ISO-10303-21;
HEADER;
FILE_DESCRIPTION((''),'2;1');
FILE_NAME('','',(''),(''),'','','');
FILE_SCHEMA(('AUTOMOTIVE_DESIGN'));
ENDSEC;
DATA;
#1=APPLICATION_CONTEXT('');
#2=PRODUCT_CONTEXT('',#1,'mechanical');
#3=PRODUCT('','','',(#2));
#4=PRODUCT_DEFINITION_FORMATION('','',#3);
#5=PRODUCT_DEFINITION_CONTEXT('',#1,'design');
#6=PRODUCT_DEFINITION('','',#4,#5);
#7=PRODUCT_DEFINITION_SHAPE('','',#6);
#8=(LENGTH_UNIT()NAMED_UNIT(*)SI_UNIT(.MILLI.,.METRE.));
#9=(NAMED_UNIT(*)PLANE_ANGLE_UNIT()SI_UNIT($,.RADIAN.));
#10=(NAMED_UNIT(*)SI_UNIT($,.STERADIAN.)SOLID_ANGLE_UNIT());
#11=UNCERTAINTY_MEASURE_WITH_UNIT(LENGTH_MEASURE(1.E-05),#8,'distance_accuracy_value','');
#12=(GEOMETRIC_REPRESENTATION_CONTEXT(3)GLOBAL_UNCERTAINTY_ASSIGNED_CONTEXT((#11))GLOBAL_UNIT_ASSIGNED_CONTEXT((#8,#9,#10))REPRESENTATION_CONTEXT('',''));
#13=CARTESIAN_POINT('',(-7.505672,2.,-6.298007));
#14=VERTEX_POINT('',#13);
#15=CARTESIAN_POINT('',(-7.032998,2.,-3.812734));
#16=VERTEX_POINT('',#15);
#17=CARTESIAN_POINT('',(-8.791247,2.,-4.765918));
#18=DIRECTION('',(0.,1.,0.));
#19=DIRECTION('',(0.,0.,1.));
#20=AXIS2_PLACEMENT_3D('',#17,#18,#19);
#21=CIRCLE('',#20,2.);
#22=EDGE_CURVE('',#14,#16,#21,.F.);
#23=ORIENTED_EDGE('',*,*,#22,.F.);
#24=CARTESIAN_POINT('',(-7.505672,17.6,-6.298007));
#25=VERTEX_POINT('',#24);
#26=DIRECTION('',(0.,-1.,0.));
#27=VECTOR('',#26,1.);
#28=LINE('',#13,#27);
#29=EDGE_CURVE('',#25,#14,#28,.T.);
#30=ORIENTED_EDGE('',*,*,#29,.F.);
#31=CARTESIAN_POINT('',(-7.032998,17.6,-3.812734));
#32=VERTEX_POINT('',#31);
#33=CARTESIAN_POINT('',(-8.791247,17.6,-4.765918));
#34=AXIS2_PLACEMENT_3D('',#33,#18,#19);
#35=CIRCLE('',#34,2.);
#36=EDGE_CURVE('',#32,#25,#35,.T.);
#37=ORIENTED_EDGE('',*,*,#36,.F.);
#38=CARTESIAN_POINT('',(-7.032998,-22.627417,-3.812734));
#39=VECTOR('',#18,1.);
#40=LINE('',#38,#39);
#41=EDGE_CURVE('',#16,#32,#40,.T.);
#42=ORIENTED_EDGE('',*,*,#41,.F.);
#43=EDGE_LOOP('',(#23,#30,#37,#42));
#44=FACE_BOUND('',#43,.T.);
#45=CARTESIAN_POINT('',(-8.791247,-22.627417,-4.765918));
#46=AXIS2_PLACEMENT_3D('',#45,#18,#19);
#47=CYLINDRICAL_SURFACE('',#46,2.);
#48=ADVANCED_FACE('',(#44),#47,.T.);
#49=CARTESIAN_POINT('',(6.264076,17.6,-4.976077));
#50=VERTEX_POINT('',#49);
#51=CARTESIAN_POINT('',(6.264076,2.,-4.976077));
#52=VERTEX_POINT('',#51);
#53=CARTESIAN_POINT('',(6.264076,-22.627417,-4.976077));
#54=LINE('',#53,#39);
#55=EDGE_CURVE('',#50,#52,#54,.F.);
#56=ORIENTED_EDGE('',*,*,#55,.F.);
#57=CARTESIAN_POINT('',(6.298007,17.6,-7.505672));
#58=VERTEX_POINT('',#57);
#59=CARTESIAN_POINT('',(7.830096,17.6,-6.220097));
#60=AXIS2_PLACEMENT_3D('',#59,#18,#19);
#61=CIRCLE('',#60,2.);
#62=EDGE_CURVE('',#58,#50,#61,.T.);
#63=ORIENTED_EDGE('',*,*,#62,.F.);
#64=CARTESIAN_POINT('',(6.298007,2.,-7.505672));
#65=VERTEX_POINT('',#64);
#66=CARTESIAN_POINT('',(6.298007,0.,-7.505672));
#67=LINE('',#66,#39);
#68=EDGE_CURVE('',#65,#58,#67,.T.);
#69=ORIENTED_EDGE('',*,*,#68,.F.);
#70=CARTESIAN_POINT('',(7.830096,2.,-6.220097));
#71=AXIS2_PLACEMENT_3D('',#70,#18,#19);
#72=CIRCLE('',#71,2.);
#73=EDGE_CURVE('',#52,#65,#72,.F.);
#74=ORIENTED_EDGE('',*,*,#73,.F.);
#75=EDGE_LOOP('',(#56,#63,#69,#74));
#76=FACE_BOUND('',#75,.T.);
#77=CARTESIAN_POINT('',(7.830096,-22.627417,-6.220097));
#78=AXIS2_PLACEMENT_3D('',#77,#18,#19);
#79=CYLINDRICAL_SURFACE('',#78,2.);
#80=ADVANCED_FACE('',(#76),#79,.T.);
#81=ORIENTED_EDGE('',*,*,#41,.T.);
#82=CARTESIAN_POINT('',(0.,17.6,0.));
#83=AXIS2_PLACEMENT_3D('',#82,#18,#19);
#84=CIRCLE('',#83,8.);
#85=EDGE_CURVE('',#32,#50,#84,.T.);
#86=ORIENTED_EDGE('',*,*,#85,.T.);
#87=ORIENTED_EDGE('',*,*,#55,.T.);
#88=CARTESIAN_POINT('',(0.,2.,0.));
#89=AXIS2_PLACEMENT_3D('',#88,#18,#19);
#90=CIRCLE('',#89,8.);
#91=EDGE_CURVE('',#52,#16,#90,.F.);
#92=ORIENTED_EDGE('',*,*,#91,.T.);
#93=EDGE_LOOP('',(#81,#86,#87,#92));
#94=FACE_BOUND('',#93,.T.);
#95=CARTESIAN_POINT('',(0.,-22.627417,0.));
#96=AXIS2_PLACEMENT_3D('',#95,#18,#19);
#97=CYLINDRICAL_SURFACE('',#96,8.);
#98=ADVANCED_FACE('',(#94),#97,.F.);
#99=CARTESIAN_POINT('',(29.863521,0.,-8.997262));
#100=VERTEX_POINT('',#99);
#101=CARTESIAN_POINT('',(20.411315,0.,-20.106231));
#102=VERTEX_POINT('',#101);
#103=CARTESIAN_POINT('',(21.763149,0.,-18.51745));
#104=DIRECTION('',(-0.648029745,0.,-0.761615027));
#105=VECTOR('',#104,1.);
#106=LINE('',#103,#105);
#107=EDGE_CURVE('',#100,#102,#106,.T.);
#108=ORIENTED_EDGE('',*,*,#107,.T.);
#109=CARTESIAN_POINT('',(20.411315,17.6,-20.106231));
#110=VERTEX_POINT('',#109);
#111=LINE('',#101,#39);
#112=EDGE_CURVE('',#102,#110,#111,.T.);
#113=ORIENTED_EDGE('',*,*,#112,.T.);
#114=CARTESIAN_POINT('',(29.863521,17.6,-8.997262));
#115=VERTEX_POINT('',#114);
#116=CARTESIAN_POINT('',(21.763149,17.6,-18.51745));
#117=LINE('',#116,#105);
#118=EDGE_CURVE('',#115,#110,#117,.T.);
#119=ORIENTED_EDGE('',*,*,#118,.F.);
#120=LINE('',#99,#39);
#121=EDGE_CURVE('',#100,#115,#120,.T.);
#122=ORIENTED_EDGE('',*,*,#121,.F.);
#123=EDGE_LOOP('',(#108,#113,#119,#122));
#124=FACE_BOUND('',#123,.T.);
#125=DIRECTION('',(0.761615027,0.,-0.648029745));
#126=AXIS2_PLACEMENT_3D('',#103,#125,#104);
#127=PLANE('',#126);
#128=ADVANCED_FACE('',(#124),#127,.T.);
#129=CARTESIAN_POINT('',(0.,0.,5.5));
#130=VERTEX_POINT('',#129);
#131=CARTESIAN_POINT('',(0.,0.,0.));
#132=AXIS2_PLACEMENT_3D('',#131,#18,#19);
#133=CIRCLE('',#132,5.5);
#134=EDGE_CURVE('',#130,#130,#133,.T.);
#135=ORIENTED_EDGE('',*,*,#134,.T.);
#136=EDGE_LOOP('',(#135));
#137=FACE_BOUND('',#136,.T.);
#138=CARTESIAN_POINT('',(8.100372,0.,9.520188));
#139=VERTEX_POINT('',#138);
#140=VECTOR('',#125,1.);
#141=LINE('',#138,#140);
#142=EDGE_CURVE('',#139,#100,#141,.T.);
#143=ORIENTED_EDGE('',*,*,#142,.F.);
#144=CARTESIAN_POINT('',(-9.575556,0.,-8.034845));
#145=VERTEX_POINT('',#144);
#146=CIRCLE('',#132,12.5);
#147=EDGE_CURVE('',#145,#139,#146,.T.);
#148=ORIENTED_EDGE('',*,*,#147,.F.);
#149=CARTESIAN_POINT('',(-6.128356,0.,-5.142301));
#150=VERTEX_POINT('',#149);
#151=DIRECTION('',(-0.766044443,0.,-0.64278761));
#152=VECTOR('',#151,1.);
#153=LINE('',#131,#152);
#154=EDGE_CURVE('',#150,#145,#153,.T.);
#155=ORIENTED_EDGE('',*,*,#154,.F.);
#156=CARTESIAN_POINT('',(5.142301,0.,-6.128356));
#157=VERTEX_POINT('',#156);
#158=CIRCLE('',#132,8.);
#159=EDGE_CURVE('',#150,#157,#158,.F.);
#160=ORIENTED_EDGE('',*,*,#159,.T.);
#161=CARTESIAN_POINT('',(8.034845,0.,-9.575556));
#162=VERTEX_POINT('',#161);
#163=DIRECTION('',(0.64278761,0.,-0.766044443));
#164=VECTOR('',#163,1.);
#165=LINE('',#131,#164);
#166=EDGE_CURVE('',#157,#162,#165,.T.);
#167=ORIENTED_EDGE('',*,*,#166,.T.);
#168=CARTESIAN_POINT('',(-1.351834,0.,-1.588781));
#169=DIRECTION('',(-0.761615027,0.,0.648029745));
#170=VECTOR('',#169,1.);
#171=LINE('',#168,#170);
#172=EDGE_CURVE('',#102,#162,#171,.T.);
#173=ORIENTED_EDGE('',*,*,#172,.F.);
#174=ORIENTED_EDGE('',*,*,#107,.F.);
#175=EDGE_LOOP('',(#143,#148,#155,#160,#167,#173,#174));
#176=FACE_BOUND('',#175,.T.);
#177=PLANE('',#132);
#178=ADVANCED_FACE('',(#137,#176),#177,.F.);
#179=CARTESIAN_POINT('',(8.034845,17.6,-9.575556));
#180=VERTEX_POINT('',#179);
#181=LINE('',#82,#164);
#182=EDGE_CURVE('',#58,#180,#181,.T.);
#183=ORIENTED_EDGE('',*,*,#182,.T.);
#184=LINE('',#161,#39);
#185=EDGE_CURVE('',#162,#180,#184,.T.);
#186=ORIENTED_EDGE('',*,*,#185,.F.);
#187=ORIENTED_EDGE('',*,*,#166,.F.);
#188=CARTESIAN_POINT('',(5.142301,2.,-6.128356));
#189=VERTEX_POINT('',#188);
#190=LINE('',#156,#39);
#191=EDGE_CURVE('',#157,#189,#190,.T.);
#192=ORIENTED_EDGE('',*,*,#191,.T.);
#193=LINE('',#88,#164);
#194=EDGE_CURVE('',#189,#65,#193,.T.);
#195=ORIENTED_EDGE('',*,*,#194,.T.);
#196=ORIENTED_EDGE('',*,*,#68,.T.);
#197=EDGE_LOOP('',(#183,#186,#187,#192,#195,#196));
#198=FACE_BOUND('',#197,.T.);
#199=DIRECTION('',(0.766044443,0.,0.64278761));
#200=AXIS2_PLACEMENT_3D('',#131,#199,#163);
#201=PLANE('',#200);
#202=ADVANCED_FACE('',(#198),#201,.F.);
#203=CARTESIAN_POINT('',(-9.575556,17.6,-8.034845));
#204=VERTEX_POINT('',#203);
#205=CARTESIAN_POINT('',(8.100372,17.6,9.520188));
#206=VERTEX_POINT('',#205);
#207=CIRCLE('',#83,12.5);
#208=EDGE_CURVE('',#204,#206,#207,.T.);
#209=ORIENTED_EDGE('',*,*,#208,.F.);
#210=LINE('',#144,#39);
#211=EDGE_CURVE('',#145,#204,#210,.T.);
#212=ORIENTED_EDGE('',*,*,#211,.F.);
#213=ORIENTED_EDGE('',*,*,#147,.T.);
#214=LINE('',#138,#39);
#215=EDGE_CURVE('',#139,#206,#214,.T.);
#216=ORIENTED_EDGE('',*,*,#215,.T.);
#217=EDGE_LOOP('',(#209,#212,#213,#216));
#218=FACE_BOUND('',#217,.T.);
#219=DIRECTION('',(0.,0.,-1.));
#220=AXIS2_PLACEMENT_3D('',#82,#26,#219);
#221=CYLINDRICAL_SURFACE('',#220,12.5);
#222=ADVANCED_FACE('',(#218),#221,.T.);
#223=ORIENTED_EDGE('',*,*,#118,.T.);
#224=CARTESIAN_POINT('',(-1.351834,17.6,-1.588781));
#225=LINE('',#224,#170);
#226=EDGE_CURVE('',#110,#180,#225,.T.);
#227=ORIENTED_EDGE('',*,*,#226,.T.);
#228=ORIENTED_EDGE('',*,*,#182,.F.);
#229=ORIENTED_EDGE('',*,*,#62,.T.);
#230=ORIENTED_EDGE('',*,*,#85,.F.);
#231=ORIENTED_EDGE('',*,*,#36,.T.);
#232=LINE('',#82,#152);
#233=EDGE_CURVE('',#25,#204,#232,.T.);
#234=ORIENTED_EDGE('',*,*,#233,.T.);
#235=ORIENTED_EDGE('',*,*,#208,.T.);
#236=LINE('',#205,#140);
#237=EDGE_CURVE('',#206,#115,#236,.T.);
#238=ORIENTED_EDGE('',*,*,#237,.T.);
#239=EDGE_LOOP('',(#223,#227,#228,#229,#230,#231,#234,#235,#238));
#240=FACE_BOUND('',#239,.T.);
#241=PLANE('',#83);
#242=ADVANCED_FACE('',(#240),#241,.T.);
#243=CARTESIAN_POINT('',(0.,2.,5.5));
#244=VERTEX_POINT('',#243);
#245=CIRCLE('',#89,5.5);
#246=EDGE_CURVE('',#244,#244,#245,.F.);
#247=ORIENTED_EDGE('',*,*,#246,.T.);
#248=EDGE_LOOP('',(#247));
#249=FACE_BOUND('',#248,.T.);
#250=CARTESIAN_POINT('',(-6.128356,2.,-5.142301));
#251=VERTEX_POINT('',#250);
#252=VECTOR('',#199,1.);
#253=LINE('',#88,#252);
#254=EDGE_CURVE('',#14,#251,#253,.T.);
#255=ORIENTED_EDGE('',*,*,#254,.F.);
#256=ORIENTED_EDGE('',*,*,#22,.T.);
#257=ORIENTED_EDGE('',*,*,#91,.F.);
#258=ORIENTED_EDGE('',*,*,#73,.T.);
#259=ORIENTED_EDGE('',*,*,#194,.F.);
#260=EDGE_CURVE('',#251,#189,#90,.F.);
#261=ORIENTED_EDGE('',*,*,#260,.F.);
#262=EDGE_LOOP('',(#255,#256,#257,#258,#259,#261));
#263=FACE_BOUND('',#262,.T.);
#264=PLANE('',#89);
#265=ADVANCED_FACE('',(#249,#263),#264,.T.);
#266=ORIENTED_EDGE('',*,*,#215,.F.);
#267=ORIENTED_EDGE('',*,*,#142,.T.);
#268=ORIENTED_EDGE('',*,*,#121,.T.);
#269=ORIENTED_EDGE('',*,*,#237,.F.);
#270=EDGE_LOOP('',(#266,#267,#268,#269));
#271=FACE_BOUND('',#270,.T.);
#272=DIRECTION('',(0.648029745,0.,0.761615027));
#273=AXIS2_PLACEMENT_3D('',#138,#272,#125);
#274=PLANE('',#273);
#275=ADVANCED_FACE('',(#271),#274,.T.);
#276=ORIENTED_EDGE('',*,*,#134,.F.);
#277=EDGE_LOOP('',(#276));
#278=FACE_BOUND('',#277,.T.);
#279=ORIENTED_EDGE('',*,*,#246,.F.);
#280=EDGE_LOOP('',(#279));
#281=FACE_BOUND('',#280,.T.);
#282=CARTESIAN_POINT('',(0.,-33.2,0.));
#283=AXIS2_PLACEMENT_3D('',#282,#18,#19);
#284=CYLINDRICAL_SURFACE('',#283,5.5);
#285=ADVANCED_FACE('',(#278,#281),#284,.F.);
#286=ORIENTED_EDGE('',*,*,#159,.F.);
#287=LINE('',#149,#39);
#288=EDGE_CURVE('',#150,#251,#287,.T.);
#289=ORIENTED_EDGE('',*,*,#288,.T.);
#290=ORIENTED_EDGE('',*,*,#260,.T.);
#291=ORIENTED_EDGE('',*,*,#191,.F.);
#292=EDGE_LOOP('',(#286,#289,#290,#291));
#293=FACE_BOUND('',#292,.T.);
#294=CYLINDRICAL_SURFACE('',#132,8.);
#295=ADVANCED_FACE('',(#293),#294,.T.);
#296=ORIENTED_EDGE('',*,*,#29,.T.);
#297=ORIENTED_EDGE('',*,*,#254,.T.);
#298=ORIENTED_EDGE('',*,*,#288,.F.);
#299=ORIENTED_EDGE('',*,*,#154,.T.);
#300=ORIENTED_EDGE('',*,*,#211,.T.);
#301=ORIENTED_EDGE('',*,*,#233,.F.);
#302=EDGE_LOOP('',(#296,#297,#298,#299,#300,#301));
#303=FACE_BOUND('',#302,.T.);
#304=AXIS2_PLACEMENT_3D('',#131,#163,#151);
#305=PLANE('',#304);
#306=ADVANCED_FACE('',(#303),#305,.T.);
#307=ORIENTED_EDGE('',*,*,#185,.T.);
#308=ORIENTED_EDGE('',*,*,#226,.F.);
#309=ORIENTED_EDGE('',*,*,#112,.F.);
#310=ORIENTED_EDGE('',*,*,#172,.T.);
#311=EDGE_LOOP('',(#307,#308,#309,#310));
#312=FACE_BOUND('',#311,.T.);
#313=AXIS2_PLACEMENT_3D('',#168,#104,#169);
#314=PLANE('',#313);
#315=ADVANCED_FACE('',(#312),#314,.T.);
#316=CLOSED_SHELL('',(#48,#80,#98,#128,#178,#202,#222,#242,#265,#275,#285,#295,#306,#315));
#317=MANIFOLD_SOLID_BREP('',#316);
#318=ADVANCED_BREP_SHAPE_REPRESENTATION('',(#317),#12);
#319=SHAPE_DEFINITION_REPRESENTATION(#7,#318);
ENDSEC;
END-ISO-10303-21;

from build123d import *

# Parameters (mm, degrees)
SKETCH1_R           = 12.5
BOSS_EXTRUDE1_DEPTH = 17.6
SKETCH2_R           = 5.5
CUT_EXTRUDE1_DEPTH  = 50.8
SKETCH3_R           = 8
CUT_EXTRUDE3_DEPTH  = 15.6
CUT_EXTRUDE4_DEPTH  = 18.6
BOSS_EXTRUDE2_DEPTH = 17.6
FILLET1_R           = 2


with BuildPart() as part:
    # Sketch1 → Boss-Extrude1 (new body)
    with BuildSketch(Plane(origin=(0, 0, 0), x_dir=(1, 0, 0), z_dir=(0, 1, 0))):
        Circle(SKETCH1_R)
    extrude(amount=BOSS_EXTRUDE1_DEPTH)

    # Sketch2 → Cut-Extrude1 (cut)
    with BuildSketch(Plane(origin=(0, 17.6, 0), x_dir=(1, 0, 0), z_dir=(0, 1, 0))):
        Circle(SKETCH2_R)
    extrude(amount=-CUT_EXTRUDE1_DEPTH, mode=Mode.SUBTRACT)

    # Sketch3 → Cut-Extrude3 (cut)
    with BuildSketch(Plane(origin=(0, 17.6, 0), x_dir=(1, 0, 0), z_dir=(0, 1, 0))):
        Circle(SKETCH3_R)
    extrude(amount=-CUT_EXTRUDE3_DEPTH, mode=Mode.SUBTRACT)

    # Sketch4 → Cut-Extrude4 (cut, through all)
    with BuildSketch(Plane(origin=(0, 17.6, 0), x_dir=(1, 0, 0), z_dir=(0, 1, 0))):
        with BuildLine():
            ThreePointArc((-6.128355545, 5.142300877), (-0.697245942, 7.969557585), (5.142300877, 6.128355545))
            Line((5.142300877, 6.128355545), (8.034845121, 9.575555539))
            ThreePointArc((8.034845121, 9.575555539), (-1.089446784, 12.452433726), (-9.575555539, 8.034845121))
            Line((-9.575555539, 8.034845121), (-6.128355545, 5.142300877))
        make_face()
    extrude(amount=-CUT_EXTRUDE4_DEPTH, mode=Mode.SUBTRACT)

    # Sketch5 → Boss-Extrude2 (add, through all)
    with BuildSketch(Plane(origin=(0, 17.6, 0), x_dir=(1, 0, 0), z_dir=(0, 1, 0))):
        with BuildLine():
            Line((29.863521208, 8.997262141), (20.411315049, 20.106230978))
            Line((20.411315049, 20.106230978), (8.034845121, 9.575555539))
            ThreePointArc((8.034845121, 9.575555539), (12.499926406, 0.042893271), (8.100371818, -9.520187835))
            Line((8.100371818, -9.520187835), (29.863521208, 8.997262141))
        make_face()
    extrude(amount=-BOSS_EXTRUDE2_DEPTH)

    # Fillet1
    fillet1_edges = [part.edges().sort_by_distance(p)[0] for p in [
        (5.142300877, 9.8, -6.128355545),
        (-6.128355545, 9.8, -5.142300877),
    ]]
    fillet(fillet1_edges, radius=FILLET1_R)


solid = part.part
